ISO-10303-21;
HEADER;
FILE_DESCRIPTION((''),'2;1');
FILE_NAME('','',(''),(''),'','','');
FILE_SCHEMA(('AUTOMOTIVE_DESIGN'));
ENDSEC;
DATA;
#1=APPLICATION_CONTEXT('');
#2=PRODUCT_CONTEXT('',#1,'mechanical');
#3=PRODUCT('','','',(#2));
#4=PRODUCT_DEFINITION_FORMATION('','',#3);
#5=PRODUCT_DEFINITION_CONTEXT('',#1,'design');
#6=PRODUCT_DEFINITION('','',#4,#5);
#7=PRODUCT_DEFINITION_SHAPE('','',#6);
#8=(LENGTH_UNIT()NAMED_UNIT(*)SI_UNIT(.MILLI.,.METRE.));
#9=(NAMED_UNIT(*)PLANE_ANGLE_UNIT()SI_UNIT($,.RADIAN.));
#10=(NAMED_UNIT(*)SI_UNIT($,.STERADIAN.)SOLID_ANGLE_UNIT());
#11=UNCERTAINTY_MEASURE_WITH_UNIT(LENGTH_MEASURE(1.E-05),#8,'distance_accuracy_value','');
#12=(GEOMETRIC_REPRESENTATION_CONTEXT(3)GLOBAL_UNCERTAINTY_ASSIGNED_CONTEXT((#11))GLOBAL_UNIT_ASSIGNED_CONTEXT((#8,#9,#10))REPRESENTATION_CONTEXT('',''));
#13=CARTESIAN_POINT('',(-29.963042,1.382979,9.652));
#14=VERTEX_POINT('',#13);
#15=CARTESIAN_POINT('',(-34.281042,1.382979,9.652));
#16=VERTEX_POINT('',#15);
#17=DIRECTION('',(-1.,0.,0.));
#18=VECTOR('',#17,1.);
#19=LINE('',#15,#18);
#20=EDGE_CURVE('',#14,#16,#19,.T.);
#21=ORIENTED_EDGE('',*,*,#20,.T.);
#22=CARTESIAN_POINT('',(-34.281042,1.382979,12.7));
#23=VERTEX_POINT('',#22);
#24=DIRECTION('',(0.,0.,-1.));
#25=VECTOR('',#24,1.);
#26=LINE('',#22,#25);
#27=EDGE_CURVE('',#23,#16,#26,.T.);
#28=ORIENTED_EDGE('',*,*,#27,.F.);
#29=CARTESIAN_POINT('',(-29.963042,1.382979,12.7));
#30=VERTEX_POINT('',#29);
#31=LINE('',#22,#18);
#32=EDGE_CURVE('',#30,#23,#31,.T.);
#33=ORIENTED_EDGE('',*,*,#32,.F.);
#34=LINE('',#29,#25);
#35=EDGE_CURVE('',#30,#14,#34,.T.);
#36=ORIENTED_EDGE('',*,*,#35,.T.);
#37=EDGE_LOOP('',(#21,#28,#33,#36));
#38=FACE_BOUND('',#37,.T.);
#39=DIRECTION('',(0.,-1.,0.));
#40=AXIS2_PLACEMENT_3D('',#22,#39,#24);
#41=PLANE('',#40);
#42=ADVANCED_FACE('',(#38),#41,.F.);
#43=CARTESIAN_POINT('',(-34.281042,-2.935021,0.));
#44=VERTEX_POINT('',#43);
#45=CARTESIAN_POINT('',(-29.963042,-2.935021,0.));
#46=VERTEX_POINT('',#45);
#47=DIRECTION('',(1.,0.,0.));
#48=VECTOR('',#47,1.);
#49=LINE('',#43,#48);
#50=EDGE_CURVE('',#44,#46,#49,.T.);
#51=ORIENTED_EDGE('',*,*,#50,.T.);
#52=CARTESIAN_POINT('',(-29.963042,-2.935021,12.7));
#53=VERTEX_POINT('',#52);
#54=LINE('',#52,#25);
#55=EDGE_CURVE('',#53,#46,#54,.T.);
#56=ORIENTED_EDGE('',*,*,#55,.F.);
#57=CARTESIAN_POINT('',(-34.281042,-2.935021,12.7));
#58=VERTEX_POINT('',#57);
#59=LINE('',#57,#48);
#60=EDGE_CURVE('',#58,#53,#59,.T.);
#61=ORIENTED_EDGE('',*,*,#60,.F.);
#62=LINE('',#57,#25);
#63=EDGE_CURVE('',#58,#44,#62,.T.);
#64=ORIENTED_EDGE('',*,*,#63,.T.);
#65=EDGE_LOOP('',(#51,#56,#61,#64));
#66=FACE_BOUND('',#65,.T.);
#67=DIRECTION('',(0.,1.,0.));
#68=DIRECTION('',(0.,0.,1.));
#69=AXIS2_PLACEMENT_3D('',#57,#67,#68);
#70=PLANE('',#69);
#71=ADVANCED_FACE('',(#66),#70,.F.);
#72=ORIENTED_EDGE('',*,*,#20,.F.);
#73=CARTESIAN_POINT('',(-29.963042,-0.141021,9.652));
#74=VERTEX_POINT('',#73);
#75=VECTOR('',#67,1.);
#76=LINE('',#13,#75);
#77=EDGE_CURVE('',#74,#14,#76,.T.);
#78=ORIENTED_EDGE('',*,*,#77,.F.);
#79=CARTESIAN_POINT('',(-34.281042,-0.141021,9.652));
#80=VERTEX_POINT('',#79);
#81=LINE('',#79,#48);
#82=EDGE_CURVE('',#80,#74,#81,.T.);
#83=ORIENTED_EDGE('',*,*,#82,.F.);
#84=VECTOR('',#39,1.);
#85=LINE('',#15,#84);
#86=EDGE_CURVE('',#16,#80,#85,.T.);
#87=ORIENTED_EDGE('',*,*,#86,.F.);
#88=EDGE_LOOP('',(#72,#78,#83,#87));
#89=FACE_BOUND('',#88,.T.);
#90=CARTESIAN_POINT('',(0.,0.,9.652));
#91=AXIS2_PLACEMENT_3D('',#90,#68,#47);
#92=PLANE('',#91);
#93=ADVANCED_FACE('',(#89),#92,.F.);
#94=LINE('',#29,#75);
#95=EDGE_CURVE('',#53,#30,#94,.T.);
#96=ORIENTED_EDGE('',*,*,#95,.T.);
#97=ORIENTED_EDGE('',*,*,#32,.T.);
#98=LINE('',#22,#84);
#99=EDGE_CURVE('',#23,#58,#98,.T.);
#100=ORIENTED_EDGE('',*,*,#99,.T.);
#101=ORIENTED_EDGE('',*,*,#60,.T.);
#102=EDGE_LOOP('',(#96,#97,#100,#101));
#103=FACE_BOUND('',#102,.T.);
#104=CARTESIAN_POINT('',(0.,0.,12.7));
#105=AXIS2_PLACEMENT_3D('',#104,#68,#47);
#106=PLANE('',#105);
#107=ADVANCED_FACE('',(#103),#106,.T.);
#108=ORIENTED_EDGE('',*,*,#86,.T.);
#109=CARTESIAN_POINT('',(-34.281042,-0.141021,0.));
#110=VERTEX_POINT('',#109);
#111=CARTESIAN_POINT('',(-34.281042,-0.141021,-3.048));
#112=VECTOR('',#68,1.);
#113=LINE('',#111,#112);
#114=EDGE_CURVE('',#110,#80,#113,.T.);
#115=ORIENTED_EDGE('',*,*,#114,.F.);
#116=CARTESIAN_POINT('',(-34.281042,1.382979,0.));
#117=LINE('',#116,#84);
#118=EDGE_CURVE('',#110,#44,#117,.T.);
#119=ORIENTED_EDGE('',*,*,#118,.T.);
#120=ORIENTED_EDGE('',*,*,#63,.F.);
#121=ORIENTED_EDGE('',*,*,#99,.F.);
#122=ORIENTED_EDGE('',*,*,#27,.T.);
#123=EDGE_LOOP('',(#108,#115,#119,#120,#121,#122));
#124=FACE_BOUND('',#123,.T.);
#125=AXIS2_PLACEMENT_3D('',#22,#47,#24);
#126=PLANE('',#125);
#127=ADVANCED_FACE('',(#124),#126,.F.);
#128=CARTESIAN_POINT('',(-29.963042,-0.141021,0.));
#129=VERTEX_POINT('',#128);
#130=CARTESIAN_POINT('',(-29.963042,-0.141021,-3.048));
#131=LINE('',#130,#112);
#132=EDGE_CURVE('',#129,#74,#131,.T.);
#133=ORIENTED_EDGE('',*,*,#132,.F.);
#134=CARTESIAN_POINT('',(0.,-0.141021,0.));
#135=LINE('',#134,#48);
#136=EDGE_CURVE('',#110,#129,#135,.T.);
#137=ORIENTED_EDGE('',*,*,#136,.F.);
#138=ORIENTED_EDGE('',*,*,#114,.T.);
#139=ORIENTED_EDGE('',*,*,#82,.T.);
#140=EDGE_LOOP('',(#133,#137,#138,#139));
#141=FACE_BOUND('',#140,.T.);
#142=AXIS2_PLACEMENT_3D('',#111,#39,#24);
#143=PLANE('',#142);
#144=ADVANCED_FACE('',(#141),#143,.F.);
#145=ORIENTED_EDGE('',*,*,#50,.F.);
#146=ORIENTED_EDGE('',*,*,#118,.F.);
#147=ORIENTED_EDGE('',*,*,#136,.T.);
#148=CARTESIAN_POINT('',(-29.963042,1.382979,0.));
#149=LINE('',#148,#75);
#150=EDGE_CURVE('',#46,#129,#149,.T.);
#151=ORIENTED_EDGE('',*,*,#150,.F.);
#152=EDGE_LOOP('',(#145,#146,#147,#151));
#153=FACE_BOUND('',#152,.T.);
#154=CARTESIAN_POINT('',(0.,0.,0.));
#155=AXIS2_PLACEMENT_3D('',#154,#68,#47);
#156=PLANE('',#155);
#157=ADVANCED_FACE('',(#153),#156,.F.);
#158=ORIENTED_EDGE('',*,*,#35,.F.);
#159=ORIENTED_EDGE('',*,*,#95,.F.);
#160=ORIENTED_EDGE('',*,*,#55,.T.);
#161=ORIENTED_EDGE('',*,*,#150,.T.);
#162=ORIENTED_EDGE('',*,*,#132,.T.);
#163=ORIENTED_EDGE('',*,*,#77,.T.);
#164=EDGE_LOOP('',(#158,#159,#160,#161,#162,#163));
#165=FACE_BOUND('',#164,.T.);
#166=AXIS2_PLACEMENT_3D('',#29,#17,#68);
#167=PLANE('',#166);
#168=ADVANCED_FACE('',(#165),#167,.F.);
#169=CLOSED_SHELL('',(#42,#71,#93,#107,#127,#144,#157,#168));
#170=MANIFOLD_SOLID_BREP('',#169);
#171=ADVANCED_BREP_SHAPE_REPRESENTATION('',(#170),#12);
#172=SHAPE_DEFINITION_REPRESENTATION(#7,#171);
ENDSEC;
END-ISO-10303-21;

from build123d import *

# Parameters (mm, degrees)
SKETCH1_W           = 4.318
SKETCH1_H           = 4.318
BOSS_EXTRUDE1_DEPTH = 12.7
SKETCH2_W           = 4.318
SKETCH2_H           = 1.524
CUT_EXTRUDE1_DEPTH  = 12.7


with BuildPart() as part:
    # Sketch1 → Boss-Extrude1 (new body)
    with BuildSketch(Plane.XY):
        with Locations((-32.122041713, -0.776020695)):
            Rectangle(SKETCH1_W, SKETCH1_H)
    extrude(amount=BOSS_EXTRUDE1_DEPTH)

    # Sketch2 → Cut-Extrude1 (cut)
    with BuildSketch(Plane.XY.offset(9.652)):
        with Locations((-32.122041713, 0.620979305)):
            Rectangle(SKETCH2_W, SKETCH2_H)
    extrude(amount=-CUT_EXTRUDE1_DEPTH, mode=Mode.SUBTRACT)


solid = part.part
